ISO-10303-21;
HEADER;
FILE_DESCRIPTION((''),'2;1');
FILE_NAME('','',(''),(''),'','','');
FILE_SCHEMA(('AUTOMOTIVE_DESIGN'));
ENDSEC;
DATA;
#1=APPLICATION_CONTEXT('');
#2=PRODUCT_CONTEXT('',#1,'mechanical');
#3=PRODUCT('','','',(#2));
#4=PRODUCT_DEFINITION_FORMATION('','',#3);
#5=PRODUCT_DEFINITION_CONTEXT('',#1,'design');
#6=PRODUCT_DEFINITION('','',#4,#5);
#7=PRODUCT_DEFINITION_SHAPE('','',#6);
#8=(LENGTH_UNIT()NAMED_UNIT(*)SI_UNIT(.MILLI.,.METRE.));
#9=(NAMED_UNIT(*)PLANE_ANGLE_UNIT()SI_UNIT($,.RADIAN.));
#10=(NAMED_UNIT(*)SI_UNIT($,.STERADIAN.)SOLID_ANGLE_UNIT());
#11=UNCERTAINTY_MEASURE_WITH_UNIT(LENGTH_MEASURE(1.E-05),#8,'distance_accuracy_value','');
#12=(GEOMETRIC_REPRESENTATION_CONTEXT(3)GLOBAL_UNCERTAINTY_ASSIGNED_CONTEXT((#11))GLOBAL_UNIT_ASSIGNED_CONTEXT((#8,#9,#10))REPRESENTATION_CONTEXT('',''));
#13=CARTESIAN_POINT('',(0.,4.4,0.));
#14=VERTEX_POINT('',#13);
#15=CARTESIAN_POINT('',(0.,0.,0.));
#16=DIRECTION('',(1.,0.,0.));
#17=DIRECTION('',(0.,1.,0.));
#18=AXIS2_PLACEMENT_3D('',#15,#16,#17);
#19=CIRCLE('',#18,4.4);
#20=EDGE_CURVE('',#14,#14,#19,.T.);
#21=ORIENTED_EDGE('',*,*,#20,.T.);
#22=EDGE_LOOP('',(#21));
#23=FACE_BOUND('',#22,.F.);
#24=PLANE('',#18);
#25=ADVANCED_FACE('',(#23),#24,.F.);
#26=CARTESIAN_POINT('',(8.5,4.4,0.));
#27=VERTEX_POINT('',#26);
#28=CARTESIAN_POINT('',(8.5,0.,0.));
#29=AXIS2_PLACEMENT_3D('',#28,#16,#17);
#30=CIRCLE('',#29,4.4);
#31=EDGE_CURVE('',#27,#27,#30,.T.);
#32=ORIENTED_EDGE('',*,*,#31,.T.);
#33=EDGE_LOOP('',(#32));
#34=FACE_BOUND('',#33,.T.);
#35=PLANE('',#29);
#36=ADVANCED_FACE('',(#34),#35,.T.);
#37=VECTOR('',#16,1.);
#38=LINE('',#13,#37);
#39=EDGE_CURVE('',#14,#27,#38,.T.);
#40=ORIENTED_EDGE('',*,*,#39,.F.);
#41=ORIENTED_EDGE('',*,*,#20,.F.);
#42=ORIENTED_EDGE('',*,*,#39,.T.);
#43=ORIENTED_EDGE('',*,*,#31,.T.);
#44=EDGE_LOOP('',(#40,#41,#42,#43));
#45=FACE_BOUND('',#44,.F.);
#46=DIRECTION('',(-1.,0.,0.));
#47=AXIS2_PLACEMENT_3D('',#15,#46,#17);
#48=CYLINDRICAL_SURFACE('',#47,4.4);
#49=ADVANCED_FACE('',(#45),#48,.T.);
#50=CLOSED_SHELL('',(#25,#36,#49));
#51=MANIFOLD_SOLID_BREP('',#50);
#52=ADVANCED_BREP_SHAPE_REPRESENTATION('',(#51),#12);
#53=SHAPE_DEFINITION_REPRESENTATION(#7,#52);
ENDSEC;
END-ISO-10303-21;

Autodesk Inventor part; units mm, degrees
ref_plane "YZ Plane" through (0, 0, 0) normal (1, 0, 0) x (0, 1, 0)
ref_plane "XZ Plane" through (0, 0, 0) normal (0, 1, 0) x (-1, 0, 0)
ref_plane "XY Plane" through (0, 0, 0) normal (0, 0, 1) x (1, 0, 0)
sketch "Sketch1" plane through (0, 0, 0) normal (1, 0, 0) x (0, 1, 0)
  circle A0 centre (0, 0) radius 4.4
  dimension "d0" = 8.8
extrude "Extrusion1" add sketch "Sketch1" along normal blind 8.5
properties part number "Temp - Pinion"
